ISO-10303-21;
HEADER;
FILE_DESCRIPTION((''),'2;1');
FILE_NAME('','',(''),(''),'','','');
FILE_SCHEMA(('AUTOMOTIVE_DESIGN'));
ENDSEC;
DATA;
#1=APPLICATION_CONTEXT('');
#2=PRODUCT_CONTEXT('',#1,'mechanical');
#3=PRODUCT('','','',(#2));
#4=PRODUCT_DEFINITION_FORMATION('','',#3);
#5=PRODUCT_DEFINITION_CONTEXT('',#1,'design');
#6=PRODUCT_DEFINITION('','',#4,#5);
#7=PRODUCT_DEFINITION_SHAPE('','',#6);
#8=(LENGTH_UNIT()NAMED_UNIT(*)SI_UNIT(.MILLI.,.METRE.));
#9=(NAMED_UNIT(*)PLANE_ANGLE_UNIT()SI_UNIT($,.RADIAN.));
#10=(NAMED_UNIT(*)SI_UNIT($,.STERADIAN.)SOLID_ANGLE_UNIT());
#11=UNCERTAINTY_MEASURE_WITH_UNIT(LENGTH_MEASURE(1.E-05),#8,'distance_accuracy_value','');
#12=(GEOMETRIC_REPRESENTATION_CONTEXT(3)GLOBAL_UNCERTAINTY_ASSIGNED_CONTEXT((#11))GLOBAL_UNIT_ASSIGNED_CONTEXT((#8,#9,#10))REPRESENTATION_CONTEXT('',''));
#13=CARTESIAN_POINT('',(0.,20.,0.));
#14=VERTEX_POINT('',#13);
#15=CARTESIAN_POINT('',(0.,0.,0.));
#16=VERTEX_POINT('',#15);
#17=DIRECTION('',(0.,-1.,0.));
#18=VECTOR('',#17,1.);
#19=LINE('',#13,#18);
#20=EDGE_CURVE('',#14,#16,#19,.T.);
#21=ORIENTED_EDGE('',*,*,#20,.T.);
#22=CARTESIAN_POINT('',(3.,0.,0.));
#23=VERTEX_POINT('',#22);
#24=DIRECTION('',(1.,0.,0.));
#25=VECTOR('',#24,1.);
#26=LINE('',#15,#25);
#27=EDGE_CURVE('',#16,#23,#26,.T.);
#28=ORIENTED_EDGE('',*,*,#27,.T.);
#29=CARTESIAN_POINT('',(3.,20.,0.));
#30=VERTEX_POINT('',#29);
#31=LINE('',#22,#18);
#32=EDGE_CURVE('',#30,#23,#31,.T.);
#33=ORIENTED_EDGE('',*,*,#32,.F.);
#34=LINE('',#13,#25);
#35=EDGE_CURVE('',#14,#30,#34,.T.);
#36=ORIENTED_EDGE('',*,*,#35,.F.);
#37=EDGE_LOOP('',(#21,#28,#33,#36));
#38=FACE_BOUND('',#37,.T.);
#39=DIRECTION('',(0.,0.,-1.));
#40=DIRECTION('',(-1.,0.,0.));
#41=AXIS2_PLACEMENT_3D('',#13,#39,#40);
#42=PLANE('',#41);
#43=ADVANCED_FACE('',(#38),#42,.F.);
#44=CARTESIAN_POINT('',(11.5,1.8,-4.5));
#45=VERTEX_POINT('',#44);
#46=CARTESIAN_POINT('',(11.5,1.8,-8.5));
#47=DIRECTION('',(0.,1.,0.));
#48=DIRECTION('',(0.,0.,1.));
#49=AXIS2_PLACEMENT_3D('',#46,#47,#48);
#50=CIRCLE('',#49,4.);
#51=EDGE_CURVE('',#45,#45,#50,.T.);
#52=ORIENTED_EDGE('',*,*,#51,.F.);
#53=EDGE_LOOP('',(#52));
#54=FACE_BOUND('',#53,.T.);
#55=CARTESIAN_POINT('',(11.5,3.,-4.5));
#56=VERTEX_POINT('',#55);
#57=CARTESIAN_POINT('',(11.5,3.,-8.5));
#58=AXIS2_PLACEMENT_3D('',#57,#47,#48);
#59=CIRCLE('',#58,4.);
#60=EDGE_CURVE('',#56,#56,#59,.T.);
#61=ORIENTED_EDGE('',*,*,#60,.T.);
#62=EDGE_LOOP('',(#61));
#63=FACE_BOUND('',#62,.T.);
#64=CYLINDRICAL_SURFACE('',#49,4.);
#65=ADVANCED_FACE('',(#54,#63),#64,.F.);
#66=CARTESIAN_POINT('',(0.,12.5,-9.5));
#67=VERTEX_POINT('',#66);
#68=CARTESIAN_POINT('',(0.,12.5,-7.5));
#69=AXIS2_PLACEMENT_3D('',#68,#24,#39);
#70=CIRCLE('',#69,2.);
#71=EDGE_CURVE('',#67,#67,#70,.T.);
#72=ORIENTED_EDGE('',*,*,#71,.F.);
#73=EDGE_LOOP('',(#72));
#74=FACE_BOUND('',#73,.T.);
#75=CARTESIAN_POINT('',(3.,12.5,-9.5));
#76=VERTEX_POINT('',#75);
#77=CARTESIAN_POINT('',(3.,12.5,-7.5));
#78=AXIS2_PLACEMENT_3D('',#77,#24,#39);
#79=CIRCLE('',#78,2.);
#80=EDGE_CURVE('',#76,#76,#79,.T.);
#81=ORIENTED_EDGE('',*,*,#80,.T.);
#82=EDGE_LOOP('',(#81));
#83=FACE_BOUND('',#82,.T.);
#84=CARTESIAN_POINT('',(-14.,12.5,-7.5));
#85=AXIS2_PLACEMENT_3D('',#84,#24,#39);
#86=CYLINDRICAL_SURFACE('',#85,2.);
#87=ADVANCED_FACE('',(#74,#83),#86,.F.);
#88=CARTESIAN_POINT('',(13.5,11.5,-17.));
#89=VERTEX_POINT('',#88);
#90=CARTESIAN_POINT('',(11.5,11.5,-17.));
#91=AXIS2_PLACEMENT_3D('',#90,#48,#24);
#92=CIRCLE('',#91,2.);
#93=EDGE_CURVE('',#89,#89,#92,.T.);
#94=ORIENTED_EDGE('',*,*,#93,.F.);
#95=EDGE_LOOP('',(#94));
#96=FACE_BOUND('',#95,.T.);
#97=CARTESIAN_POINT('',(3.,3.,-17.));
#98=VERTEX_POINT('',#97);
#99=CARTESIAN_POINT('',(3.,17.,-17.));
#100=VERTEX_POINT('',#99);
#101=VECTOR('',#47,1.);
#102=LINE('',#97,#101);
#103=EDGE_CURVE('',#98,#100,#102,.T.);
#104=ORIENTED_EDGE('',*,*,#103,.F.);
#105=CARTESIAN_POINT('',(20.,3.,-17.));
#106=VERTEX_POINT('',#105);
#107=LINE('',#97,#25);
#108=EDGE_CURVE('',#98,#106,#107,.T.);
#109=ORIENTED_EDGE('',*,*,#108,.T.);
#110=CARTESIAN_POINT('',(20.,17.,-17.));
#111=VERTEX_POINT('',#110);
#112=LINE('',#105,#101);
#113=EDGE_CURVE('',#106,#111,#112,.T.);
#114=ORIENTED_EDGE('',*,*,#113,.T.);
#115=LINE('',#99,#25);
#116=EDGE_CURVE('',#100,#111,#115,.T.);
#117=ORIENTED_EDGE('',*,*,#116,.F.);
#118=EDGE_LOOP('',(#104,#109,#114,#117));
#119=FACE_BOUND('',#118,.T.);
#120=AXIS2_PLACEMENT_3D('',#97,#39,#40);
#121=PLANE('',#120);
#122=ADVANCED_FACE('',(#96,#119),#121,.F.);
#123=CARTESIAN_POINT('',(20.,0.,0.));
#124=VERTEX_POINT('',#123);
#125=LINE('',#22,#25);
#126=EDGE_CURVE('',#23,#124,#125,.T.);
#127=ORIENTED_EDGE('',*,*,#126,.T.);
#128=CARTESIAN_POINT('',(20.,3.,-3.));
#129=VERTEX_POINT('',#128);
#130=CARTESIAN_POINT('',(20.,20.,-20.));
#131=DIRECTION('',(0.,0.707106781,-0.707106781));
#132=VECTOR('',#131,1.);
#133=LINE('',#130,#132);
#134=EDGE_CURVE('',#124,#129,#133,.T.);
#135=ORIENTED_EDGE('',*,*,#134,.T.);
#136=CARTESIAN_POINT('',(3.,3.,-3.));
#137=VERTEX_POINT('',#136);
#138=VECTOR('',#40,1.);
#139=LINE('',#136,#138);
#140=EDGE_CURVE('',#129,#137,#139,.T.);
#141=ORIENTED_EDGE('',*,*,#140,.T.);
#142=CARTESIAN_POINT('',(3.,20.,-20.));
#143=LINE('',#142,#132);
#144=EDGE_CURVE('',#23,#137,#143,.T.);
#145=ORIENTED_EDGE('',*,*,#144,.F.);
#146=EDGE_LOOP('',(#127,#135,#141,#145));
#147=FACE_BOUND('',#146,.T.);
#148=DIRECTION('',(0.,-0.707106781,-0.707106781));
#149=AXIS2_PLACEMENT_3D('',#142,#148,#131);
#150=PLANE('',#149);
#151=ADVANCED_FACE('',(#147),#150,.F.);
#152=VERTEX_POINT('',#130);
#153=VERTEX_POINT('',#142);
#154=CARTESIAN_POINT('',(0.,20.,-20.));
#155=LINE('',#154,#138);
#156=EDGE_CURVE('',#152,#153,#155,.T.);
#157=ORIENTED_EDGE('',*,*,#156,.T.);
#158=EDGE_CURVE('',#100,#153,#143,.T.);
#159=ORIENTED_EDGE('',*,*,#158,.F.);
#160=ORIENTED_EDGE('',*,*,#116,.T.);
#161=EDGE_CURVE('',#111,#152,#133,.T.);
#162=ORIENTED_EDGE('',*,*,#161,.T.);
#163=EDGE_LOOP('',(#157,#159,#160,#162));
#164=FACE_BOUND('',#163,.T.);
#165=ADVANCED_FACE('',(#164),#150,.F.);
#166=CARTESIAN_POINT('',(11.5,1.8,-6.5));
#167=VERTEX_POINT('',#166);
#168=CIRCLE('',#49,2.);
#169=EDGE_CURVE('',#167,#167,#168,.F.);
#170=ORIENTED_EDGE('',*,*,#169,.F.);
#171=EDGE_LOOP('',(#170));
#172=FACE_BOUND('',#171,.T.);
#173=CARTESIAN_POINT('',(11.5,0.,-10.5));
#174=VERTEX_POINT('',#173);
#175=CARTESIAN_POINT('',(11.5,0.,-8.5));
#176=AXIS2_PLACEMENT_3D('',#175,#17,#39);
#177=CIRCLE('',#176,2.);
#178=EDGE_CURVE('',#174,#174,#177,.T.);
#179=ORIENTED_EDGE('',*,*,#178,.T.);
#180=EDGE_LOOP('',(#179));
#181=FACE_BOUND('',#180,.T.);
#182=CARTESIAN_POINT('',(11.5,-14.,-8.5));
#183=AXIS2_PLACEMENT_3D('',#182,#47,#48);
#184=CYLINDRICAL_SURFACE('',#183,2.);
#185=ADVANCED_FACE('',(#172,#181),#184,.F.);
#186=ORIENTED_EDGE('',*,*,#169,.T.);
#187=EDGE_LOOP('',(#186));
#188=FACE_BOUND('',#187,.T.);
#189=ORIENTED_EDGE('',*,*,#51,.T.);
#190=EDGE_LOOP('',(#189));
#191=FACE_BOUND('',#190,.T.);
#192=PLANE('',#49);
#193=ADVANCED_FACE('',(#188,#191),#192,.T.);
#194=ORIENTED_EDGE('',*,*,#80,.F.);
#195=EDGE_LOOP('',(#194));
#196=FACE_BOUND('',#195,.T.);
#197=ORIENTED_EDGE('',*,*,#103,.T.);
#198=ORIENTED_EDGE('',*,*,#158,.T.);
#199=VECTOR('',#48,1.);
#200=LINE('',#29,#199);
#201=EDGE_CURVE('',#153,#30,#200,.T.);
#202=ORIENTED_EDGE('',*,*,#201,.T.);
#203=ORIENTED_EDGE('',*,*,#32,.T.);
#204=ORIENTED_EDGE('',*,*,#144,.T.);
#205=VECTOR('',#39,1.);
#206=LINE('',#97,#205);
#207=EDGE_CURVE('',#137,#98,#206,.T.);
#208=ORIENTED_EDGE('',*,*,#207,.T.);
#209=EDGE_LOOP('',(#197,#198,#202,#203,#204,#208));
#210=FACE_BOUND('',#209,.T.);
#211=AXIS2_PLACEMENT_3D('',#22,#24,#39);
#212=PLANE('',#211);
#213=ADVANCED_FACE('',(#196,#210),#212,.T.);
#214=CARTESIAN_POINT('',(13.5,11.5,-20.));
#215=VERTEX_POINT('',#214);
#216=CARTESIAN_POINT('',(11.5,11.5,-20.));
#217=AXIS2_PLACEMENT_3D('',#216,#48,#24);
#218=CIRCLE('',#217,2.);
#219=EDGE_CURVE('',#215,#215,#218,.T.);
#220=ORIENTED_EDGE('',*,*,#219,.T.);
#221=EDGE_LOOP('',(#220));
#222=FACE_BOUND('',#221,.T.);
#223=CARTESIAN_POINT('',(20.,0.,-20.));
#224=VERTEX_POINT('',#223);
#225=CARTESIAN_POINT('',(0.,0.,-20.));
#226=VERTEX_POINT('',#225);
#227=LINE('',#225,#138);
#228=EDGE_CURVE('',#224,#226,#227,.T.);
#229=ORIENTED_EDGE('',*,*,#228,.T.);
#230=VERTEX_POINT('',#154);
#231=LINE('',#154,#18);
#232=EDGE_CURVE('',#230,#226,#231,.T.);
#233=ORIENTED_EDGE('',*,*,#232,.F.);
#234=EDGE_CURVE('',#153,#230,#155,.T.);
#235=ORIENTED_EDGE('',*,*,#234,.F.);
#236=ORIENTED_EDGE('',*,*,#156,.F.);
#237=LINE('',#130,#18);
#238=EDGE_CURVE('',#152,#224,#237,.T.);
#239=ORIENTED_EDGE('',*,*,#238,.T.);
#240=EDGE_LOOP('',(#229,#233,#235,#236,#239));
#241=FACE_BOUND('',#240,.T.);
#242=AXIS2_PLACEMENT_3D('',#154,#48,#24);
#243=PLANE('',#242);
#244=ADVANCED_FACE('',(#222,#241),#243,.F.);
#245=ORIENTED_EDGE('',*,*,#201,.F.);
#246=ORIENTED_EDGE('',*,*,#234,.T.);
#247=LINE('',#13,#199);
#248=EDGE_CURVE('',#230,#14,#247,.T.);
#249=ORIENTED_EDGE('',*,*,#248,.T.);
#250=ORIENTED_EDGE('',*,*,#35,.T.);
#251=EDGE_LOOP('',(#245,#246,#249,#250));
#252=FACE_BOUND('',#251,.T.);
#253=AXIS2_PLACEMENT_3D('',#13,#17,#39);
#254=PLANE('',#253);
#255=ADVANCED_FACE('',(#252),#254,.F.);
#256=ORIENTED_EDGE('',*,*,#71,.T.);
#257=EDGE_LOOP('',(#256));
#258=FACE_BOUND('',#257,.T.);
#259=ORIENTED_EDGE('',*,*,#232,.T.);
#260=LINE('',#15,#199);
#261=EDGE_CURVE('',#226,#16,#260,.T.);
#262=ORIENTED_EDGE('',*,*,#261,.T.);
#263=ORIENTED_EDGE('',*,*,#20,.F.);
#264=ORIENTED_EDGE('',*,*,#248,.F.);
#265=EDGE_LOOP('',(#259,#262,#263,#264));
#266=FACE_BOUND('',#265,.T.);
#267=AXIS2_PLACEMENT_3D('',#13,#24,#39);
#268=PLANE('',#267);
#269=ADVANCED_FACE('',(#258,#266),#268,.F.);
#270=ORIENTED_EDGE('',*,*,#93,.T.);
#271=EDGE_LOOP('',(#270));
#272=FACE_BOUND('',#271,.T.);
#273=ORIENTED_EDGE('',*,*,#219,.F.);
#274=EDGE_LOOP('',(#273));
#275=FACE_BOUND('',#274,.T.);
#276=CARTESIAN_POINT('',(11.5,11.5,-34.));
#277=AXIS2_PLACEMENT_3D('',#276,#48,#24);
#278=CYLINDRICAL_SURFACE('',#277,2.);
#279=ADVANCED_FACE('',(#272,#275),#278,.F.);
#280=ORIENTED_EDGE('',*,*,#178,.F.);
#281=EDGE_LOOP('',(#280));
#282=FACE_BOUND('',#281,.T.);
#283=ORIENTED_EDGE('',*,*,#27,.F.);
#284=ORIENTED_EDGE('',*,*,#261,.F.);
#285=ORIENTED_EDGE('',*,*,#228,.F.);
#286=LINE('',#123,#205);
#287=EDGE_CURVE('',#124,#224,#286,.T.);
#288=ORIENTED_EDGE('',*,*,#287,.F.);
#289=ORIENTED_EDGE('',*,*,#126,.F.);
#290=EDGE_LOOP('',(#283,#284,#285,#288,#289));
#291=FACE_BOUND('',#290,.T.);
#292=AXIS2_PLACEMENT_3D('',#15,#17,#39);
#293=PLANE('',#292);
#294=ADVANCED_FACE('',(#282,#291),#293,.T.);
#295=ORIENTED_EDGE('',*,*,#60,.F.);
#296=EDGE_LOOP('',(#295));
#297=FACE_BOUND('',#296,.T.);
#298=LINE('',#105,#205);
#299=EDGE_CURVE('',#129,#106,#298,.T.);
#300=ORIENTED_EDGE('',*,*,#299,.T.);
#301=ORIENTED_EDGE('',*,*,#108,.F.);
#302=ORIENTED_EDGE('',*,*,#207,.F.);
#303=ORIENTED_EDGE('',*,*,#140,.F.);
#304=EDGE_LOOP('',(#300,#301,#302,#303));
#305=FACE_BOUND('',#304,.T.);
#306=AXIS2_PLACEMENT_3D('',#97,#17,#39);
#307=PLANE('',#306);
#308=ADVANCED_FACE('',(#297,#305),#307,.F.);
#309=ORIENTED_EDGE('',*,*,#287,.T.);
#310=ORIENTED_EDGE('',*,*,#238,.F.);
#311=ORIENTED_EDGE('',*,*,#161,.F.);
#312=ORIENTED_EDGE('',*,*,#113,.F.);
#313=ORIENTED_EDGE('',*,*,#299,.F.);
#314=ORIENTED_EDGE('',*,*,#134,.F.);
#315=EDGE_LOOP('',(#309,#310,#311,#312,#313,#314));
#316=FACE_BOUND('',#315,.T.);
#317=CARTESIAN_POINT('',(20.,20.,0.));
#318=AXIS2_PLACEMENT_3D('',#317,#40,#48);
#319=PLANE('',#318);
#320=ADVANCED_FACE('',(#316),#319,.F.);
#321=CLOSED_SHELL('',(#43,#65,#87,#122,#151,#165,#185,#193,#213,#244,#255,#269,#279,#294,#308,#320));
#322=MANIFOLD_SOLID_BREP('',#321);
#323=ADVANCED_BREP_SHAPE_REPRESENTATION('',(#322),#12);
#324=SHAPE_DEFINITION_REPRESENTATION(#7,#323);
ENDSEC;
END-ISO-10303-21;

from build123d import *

# Parameters (mm, degrees)
IZIM1_W                     = 20
IZIM1_H                     = 20
Y_KSEKLIK_EKSTR_ZYON1_DEPTH = 20
KES_EKSTR_ZYON1_DEPTH       = 17
IZIM3_W                     = 17.326301073
IZIM3_H                     = 17.919650739
KES_EKSTR_ZYON2_DEPTH       = 17
IZIM6_R                     = 2
KES_EKSTR_ZYON3_DEPTH       = 17
IZIM7_R                     = 2
KES_EKSTR_ZYON4_DEPTH       = 17
IZIM5_R                     = 2
KES_EKSTR_ZYON5_DEPTH       = 17
IZIM8_R                     = 4
KES_EKSTR_ZYON6_DEPTH       = 1.2


with BuildPart() as part:
    # Çizim1 → Yükseklik-Ekstrüzyon1 (new body)
    with BuildSketch(Plane(origin=(0, 0, 0), x_dir=(1, 0, 0), z_dir=(0, 1, 0))):
        with Locations((10, 10)):
            Rectangle(IZIM1_W, IZIM1_H)
    extrude(amount=Y_KSEKLIK_EKSTR_ZYON1_DEPTH)

    # Çizim2 → Kes-Ekstrüzyon1 (cut)
    with BuildSketch(Plane(origin=(20, 0, 0), x_dir=(0, 0, -1), z_dir=(1, 0, 0))):
        Polygon((20, 20), (0, 0), (0, 20), align=None)
    extrude(amount=-KES_EKSTR_ZYON1_DEPTH, mode=Mode.SUBTRACT)

    # Çizim3 → Kes-Ekstrüzyon2 (cut)
    with BuildSketch(Plane(origin=(20, 0, 0), x_dir=(0, 0, -1), z_dir=(1, 0, 0))):
        with Locations((8.336849464, 11.95982537)):
            Rectangle(IZIM3_W, IZIM3_H)
    extrude(amount=-KES_EKSTR_ZYON2_DEPTH, mode=Mode.SUBTRACT)

    # Çizim6 → Kes-Ekstrüzyon3 (cut)
    with BuildSketch(Plane(origin=(3, 0, 0), x_dir=(0, 0, -1), z_dir=(1, 0, 0))):
        with Locations((7.5, 12.5)):
            Circle(IZIM6_R)
    extrude(amount=-KES_EKSTR_ZYON3_DEPTH, mode=Mode.SUBTRACT)

    # Çizim7 → Kes-Ekstrüzyon4 (cut)
    with BuildSketch(Plane.XY.offset(-17)):
        with Locations((11.5, 11.5)):
            Circle(IZIM7_R)
    extrude(amount=-KES_EKSTR_ZYON4_DEPTH, mode=Mode.SUBTRACT)

    # Çizim5 → Kes-Ekstrüzyon5 (cut)
    with BuildSketch(Plane(origin=(0, 3, 0), x_dir=(1, 0, 0), z_dir=(0, 1, 0))):
        with Locations((11.5, 8.5)):
            Circle(IZIM5_R)
    extrude(amount=-KES_EKSTR_ZYON5_DEPTH, mode=Mode.SUBTRACT)

    # Çizim8 → Kes-Ekstrüzyon6 (cut)
    with BuildSketch(Plane(origin=(0, 3, 0), x_dir=(1, 0, 0), z_dir=(0, 1, 0))):
        with Locations((11.5, 8.5)):
            Circle(IZIM8_R)
    extrude(amount=-KES_EKSTR_ZYON6_DEPTH, mode=Mode.SUBTRACT)


solid = part.part
